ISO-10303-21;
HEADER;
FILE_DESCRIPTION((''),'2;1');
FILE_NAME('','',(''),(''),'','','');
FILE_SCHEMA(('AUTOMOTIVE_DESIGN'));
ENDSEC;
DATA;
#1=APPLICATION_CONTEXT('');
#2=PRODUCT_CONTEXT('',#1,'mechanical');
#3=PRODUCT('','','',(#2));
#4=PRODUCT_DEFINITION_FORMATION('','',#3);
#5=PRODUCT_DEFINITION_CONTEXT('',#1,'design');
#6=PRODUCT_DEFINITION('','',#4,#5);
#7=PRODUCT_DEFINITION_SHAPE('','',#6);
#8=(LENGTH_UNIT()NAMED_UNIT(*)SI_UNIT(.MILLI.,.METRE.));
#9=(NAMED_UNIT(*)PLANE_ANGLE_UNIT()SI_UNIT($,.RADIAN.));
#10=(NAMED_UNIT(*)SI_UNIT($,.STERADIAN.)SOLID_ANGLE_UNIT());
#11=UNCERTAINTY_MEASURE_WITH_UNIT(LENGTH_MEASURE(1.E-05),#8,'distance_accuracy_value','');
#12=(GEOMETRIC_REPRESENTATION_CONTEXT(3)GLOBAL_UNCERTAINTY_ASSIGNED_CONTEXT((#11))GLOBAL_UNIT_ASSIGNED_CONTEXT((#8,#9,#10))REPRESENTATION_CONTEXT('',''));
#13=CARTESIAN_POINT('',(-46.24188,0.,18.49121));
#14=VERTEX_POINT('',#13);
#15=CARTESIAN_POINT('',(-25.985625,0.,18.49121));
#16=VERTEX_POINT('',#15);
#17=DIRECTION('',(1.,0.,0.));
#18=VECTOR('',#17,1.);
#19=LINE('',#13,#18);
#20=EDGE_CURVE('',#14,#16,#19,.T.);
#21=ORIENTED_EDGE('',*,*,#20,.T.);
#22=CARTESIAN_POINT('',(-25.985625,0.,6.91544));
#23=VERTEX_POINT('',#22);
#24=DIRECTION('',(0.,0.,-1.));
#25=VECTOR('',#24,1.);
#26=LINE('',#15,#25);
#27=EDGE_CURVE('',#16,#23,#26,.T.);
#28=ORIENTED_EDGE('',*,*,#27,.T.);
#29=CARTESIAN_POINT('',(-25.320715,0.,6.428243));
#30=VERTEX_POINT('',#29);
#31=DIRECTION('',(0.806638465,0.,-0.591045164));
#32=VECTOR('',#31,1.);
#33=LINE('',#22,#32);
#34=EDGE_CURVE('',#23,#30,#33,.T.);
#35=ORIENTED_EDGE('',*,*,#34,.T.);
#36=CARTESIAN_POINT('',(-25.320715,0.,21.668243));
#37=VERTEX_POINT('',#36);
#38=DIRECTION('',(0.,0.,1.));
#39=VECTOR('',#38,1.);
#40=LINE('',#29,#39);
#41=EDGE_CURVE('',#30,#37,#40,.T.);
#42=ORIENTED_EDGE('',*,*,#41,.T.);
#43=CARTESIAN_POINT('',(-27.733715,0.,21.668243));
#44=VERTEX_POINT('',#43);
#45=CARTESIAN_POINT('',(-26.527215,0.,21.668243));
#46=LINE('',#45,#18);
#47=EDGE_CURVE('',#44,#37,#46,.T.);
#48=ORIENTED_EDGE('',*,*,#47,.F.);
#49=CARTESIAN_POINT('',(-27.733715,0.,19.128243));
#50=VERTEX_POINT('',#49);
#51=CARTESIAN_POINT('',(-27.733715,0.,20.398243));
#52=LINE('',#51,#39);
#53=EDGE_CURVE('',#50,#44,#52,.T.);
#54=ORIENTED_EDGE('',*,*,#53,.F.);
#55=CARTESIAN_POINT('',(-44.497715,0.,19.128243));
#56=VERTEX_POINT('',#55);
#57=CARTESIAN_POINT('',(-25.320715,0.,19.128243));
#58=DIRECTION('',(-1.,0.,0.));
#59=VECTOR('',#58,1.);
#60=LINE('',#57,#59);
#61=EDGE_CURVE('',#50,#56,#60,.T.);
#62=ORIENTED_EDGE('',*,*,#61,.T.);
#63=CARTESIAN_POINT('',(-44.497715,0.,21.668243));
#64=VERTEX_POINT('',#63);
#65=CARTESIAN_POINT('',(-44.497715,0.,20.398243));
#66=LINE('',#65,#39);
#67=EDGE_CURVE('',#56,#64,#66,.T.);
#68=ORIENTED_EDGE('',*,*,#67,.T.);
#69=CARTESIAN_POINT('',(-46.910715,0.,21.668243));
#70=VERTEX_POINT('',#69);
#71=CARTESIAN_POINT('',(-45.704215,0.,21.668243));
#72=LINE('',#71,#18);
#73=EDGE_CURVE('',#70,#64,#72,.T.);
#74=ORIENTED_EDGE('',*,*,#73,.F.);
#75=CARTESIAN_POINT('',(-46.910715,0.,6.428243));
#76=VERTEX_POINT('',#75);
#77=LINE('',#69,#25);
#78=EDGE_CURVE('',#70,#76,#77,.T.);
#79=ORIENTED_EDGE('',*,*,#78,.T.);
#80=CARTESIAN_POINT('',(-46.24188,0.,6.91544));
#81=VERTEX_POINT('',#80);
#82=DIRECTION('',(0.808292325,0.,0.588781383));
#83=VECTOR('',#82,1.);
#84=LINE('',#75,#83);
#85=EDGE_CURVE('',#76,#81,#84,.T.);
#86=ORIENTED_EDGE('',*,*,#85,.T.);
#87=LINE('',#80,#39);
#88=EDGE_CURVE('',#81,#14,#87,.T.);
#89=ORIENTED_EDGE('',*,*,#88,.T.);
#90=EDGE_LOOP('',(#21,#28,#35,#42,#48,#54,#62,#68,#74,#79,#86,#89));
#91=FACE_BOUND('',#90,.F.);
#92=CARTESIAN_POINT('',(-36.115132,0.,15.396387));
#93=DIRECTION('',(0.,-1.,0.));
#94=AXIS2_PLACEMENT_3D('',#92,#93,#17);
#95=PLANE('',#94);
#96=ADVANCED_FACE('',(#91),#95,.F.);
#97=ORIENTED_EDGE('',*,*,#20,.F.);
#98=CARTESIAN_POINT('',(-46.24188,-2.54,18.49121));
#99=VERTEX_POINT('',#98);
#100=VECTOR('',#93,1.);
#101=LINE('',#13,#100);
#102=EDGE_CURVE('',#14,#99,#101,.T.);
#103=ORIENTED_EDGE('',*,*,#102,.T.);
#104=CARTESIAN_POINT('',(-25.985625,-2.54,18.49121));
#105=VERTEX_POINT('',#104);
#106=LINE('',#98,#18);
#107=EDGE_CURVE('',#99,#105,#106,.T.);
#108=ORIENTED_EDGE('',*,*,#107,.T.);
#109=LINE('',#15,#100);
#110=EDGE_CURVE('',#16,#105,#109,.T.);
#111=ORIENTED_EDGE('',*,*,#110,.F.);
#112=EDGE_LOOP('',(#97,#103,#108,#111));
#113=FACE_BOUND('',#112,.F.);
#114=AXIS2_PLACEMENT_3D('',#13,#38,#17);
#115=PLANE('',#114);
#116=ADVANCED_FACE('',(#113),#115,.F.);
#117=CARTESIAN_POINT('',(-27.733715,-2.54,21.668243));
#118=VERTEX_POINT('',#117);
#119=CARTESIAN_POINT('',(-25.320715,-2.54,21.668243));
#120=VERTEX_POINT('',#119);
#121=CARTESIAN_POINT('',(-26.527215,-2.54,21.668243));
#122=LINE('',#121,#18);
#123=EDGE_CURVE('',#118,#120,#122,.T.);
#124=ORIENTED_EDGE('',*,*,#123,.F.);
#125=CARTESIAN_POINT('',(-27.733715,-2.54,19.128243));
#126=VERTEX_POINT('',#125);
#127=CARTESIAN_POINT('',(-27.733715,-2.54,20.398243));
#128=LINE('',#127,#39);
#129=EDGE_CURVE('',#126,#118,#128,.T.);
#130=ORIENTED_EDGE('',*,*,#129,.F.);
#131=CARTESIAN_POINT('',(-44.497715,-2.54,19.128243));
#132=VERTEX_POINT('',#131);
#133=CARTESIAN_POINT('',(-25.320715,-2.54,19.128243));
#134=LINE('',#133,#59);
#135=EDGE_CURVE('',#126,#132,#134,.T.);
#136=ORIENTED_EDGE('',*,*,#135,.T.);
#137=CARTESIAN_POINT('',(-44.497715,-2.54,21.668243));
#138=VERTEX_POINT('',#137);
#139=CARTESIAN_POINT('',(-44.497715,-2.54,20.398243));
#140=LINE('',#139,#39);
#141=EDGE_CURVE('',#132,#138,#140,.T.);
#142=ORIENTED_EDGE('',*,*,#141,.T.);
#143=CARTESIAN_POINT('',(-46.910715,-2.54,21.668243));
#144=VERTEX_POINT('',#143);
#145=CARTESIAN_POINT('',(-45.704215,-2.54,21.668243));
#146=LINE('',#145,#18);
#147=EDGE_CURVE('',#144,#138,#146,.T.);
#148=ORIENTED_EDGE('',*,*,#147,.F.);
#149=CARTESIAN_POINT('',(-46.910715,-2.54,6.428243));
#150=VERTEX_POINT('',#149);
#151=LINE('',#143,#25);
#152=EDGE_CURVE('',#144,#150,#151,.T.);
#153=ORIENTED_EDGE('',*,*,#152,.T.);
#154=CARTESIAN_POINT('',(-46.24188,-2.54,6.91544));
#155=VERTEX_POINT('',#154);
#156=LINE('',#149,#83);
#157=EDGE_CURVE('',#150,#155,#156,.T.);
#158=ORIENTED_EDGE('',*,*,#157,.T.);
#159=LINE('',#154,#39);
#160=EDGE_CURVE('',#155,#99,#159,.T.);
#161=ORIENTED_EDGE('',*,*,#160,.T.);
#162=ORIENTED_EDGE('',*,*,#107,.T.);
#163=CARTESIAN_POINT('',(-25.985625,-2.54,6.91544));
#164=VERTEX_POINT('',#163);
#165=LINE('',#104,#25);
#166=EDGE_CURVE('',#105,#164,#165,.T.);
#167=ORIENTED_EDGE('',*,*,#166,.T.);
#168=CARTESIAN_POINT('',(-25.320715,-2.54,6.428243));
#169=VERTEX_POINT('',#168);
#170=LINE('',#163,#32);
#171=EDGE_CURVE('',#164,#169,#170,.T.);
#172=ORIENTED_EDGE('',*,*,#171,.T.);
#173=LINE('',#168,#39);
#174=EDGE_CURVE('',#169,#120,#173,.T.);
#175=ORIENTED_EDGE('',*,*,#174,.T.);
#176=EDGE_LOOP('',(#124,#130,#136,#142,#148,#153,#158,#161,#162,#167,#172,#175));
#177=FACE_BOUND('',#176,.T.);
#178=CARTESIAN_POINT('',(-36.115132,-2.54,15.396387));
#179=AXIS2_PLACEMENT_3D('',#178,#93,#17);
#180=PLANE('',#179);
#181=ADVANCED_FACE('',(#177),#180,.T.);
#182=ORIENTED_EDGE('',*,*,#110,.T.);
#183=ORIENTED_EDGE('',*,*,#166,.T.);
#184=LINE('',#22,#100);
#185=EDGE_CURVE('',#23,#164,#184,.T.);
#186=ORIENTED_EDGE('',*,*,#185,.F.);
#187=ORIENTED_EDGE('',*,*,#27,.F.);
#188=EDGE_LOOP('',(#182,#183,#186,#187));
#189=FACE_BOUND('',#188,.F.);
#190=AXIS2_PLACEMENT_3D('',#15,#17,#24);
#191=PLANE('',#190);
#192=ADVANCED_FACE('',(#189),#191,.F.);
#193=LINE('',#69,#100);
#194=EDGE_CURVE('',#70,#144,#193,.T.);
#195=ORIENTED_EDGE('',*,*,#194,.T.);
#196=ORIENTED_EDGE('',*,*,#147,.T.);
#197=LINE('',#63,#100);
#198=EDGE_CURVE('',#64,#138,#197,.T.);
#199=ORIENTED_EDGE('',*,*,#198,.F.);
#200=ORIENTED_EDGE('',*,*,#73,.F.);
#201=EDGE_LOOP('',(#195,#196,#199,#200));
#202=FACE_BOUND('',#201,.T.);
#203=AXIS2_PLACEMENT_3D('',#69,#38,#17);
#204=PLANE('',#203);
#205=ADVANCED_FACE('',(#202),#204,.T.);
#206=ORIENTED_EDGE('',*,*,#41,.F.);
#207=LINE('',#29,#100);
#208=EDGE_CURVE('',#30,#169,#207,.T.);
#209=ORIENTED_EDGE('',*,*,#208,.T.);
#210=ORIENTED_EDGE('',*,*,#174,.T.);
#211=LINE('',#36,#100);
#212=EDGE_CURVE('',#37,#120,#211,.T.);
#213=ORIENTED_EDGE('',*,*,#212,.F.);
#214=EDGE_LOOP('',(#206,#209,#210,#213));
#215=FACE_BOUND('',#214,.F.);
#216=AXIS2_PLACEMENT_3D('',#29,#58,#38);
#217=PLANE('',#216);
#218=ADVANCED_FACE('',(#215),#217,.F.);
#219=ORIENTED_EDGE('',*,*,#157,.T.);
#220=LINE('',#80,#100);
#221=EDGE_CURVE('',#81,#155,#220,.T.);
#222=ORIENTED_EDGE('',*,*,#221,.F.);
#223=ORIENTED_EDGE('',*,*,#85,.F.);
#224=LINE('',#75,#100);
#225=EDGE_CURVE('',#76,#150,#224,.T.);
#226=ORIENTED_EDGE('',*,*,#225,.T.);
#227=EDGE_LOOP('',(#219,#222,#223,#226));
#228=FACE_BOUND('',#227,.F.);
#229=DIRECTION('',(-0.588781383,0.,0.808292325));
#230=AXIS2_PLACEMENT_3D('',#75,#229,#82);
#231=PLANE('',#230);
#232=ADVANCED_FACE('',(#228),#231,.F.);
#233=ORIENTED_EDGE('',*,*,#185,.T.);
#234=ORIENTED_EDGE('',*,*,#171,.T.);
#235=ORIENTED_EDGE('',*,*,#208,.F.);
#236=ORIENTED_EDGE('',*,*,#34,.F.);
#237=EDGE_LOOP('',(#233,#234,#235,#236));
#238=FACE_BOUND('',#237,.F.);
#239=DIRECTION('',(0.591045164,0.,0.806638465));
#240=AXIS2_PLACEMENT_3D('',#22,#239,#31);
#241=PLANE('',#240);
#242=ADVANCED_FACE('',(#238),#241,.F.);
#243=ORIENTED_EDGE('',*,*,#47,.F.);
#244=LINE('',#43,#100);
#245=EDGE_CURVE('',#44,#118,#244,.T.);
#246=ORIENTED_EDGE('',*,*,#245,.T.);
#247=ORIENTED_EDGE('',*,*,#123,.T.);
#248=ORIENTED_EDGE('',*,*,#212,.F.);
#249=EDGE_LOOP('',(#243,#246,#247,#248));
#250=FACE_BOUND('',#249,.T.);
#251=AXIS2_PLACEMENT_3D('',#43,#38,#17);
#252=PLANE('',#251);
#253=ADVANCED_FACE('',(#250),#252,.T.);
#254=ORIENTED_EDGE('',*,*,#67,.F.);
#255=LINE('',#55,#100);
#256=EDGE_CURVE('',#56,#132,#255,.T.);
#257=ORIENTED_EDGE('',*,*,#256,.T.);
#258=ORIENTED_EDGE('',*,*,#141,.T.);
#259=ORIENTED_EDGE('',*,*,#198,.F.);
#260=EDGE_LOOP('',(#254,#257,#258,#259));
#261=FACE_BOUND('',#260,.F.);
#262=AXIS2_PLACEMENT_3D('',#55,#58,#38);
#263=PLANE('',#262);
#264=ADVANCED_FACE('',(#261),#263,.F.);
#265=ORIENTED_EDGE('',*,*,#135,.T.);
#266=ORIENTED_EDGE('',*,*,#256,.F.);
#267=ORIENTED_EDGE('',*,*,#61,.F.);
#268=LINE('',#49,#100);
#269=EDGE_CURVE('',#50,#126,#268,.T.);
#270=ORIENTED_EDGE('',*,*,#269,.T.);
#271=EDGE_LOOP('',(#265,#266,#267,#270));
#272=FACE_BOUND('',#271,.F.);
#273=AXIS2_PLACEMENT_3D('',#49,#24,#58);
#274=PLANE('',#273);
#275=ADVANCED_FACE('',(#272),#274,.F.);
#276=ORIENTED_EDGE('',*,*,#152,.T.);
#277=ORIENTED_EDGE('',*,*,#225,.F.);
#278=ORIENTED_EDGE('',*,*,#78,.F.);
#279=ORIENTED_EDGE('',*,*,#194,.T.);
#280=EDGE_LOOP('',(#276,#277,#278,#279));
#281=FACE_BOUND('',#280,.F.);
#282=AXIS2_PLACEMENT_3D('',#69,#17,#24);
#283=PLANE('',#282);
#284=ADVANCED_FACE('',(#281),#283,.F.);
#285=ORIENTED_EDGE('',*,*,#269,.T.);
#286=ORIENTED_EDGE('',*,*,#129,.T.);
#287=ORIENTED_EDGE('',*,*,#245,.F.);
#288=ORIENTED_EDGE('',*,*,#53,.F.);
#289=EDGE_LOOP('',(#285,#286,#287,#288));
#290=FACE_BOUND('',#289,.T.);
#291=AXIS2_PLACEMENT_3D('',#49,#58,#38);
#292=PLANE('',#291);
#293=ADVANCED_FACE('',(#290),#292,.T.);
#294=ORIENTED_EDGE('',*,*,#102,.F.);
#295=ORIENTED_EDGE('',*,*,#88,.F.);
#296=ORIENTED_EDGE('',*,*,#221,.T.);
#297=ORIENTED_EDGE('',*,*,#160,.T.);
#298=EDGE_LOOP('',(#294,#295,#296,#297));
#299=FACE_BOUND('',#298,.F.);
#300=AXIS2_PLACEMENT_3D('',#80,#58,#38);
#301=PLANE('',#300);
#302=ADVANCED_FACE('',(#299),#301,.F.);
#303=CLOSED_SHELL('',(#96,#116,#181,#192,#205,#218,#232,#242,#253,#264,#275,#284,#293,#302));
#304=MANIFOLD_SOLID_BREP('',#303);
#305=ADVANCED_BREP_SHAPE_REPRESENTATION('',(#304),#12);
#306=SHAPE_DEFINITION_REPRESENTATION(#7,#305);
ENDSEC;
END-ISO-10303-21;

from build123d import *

# Parameters (mm, degrees)
F0_W     = 2.413
F0_H     = 2.54
F1_DEPTH = 2.54


with BuildPart() as f1:
    # F0 (on Front) → F1 (new body)
    with BuildSketch(Plane.XZ):
        Polygon((-44.497715, 19.128243), (-46.910715, 19.128243), (-46.910715, 6.428243), (-46.24188, 6.91544), (-46.24188, 18.49121), (-25.985625, 18.49121), (-25.985625, 6.91544), (-25.320715, 6.428243), (-25.320715, 19.128243), (-27.733715, 19.128243), align=None)
        with Locations((-45.704215, 20.398243)):
            Rectangle(F0_W, F0_H)
        with Locations((-26.527215, 20.398243)):
            Rectangle(F0_W, F0_H)
    extrude(amount=F1_DEPTH)


solid = f1.part
